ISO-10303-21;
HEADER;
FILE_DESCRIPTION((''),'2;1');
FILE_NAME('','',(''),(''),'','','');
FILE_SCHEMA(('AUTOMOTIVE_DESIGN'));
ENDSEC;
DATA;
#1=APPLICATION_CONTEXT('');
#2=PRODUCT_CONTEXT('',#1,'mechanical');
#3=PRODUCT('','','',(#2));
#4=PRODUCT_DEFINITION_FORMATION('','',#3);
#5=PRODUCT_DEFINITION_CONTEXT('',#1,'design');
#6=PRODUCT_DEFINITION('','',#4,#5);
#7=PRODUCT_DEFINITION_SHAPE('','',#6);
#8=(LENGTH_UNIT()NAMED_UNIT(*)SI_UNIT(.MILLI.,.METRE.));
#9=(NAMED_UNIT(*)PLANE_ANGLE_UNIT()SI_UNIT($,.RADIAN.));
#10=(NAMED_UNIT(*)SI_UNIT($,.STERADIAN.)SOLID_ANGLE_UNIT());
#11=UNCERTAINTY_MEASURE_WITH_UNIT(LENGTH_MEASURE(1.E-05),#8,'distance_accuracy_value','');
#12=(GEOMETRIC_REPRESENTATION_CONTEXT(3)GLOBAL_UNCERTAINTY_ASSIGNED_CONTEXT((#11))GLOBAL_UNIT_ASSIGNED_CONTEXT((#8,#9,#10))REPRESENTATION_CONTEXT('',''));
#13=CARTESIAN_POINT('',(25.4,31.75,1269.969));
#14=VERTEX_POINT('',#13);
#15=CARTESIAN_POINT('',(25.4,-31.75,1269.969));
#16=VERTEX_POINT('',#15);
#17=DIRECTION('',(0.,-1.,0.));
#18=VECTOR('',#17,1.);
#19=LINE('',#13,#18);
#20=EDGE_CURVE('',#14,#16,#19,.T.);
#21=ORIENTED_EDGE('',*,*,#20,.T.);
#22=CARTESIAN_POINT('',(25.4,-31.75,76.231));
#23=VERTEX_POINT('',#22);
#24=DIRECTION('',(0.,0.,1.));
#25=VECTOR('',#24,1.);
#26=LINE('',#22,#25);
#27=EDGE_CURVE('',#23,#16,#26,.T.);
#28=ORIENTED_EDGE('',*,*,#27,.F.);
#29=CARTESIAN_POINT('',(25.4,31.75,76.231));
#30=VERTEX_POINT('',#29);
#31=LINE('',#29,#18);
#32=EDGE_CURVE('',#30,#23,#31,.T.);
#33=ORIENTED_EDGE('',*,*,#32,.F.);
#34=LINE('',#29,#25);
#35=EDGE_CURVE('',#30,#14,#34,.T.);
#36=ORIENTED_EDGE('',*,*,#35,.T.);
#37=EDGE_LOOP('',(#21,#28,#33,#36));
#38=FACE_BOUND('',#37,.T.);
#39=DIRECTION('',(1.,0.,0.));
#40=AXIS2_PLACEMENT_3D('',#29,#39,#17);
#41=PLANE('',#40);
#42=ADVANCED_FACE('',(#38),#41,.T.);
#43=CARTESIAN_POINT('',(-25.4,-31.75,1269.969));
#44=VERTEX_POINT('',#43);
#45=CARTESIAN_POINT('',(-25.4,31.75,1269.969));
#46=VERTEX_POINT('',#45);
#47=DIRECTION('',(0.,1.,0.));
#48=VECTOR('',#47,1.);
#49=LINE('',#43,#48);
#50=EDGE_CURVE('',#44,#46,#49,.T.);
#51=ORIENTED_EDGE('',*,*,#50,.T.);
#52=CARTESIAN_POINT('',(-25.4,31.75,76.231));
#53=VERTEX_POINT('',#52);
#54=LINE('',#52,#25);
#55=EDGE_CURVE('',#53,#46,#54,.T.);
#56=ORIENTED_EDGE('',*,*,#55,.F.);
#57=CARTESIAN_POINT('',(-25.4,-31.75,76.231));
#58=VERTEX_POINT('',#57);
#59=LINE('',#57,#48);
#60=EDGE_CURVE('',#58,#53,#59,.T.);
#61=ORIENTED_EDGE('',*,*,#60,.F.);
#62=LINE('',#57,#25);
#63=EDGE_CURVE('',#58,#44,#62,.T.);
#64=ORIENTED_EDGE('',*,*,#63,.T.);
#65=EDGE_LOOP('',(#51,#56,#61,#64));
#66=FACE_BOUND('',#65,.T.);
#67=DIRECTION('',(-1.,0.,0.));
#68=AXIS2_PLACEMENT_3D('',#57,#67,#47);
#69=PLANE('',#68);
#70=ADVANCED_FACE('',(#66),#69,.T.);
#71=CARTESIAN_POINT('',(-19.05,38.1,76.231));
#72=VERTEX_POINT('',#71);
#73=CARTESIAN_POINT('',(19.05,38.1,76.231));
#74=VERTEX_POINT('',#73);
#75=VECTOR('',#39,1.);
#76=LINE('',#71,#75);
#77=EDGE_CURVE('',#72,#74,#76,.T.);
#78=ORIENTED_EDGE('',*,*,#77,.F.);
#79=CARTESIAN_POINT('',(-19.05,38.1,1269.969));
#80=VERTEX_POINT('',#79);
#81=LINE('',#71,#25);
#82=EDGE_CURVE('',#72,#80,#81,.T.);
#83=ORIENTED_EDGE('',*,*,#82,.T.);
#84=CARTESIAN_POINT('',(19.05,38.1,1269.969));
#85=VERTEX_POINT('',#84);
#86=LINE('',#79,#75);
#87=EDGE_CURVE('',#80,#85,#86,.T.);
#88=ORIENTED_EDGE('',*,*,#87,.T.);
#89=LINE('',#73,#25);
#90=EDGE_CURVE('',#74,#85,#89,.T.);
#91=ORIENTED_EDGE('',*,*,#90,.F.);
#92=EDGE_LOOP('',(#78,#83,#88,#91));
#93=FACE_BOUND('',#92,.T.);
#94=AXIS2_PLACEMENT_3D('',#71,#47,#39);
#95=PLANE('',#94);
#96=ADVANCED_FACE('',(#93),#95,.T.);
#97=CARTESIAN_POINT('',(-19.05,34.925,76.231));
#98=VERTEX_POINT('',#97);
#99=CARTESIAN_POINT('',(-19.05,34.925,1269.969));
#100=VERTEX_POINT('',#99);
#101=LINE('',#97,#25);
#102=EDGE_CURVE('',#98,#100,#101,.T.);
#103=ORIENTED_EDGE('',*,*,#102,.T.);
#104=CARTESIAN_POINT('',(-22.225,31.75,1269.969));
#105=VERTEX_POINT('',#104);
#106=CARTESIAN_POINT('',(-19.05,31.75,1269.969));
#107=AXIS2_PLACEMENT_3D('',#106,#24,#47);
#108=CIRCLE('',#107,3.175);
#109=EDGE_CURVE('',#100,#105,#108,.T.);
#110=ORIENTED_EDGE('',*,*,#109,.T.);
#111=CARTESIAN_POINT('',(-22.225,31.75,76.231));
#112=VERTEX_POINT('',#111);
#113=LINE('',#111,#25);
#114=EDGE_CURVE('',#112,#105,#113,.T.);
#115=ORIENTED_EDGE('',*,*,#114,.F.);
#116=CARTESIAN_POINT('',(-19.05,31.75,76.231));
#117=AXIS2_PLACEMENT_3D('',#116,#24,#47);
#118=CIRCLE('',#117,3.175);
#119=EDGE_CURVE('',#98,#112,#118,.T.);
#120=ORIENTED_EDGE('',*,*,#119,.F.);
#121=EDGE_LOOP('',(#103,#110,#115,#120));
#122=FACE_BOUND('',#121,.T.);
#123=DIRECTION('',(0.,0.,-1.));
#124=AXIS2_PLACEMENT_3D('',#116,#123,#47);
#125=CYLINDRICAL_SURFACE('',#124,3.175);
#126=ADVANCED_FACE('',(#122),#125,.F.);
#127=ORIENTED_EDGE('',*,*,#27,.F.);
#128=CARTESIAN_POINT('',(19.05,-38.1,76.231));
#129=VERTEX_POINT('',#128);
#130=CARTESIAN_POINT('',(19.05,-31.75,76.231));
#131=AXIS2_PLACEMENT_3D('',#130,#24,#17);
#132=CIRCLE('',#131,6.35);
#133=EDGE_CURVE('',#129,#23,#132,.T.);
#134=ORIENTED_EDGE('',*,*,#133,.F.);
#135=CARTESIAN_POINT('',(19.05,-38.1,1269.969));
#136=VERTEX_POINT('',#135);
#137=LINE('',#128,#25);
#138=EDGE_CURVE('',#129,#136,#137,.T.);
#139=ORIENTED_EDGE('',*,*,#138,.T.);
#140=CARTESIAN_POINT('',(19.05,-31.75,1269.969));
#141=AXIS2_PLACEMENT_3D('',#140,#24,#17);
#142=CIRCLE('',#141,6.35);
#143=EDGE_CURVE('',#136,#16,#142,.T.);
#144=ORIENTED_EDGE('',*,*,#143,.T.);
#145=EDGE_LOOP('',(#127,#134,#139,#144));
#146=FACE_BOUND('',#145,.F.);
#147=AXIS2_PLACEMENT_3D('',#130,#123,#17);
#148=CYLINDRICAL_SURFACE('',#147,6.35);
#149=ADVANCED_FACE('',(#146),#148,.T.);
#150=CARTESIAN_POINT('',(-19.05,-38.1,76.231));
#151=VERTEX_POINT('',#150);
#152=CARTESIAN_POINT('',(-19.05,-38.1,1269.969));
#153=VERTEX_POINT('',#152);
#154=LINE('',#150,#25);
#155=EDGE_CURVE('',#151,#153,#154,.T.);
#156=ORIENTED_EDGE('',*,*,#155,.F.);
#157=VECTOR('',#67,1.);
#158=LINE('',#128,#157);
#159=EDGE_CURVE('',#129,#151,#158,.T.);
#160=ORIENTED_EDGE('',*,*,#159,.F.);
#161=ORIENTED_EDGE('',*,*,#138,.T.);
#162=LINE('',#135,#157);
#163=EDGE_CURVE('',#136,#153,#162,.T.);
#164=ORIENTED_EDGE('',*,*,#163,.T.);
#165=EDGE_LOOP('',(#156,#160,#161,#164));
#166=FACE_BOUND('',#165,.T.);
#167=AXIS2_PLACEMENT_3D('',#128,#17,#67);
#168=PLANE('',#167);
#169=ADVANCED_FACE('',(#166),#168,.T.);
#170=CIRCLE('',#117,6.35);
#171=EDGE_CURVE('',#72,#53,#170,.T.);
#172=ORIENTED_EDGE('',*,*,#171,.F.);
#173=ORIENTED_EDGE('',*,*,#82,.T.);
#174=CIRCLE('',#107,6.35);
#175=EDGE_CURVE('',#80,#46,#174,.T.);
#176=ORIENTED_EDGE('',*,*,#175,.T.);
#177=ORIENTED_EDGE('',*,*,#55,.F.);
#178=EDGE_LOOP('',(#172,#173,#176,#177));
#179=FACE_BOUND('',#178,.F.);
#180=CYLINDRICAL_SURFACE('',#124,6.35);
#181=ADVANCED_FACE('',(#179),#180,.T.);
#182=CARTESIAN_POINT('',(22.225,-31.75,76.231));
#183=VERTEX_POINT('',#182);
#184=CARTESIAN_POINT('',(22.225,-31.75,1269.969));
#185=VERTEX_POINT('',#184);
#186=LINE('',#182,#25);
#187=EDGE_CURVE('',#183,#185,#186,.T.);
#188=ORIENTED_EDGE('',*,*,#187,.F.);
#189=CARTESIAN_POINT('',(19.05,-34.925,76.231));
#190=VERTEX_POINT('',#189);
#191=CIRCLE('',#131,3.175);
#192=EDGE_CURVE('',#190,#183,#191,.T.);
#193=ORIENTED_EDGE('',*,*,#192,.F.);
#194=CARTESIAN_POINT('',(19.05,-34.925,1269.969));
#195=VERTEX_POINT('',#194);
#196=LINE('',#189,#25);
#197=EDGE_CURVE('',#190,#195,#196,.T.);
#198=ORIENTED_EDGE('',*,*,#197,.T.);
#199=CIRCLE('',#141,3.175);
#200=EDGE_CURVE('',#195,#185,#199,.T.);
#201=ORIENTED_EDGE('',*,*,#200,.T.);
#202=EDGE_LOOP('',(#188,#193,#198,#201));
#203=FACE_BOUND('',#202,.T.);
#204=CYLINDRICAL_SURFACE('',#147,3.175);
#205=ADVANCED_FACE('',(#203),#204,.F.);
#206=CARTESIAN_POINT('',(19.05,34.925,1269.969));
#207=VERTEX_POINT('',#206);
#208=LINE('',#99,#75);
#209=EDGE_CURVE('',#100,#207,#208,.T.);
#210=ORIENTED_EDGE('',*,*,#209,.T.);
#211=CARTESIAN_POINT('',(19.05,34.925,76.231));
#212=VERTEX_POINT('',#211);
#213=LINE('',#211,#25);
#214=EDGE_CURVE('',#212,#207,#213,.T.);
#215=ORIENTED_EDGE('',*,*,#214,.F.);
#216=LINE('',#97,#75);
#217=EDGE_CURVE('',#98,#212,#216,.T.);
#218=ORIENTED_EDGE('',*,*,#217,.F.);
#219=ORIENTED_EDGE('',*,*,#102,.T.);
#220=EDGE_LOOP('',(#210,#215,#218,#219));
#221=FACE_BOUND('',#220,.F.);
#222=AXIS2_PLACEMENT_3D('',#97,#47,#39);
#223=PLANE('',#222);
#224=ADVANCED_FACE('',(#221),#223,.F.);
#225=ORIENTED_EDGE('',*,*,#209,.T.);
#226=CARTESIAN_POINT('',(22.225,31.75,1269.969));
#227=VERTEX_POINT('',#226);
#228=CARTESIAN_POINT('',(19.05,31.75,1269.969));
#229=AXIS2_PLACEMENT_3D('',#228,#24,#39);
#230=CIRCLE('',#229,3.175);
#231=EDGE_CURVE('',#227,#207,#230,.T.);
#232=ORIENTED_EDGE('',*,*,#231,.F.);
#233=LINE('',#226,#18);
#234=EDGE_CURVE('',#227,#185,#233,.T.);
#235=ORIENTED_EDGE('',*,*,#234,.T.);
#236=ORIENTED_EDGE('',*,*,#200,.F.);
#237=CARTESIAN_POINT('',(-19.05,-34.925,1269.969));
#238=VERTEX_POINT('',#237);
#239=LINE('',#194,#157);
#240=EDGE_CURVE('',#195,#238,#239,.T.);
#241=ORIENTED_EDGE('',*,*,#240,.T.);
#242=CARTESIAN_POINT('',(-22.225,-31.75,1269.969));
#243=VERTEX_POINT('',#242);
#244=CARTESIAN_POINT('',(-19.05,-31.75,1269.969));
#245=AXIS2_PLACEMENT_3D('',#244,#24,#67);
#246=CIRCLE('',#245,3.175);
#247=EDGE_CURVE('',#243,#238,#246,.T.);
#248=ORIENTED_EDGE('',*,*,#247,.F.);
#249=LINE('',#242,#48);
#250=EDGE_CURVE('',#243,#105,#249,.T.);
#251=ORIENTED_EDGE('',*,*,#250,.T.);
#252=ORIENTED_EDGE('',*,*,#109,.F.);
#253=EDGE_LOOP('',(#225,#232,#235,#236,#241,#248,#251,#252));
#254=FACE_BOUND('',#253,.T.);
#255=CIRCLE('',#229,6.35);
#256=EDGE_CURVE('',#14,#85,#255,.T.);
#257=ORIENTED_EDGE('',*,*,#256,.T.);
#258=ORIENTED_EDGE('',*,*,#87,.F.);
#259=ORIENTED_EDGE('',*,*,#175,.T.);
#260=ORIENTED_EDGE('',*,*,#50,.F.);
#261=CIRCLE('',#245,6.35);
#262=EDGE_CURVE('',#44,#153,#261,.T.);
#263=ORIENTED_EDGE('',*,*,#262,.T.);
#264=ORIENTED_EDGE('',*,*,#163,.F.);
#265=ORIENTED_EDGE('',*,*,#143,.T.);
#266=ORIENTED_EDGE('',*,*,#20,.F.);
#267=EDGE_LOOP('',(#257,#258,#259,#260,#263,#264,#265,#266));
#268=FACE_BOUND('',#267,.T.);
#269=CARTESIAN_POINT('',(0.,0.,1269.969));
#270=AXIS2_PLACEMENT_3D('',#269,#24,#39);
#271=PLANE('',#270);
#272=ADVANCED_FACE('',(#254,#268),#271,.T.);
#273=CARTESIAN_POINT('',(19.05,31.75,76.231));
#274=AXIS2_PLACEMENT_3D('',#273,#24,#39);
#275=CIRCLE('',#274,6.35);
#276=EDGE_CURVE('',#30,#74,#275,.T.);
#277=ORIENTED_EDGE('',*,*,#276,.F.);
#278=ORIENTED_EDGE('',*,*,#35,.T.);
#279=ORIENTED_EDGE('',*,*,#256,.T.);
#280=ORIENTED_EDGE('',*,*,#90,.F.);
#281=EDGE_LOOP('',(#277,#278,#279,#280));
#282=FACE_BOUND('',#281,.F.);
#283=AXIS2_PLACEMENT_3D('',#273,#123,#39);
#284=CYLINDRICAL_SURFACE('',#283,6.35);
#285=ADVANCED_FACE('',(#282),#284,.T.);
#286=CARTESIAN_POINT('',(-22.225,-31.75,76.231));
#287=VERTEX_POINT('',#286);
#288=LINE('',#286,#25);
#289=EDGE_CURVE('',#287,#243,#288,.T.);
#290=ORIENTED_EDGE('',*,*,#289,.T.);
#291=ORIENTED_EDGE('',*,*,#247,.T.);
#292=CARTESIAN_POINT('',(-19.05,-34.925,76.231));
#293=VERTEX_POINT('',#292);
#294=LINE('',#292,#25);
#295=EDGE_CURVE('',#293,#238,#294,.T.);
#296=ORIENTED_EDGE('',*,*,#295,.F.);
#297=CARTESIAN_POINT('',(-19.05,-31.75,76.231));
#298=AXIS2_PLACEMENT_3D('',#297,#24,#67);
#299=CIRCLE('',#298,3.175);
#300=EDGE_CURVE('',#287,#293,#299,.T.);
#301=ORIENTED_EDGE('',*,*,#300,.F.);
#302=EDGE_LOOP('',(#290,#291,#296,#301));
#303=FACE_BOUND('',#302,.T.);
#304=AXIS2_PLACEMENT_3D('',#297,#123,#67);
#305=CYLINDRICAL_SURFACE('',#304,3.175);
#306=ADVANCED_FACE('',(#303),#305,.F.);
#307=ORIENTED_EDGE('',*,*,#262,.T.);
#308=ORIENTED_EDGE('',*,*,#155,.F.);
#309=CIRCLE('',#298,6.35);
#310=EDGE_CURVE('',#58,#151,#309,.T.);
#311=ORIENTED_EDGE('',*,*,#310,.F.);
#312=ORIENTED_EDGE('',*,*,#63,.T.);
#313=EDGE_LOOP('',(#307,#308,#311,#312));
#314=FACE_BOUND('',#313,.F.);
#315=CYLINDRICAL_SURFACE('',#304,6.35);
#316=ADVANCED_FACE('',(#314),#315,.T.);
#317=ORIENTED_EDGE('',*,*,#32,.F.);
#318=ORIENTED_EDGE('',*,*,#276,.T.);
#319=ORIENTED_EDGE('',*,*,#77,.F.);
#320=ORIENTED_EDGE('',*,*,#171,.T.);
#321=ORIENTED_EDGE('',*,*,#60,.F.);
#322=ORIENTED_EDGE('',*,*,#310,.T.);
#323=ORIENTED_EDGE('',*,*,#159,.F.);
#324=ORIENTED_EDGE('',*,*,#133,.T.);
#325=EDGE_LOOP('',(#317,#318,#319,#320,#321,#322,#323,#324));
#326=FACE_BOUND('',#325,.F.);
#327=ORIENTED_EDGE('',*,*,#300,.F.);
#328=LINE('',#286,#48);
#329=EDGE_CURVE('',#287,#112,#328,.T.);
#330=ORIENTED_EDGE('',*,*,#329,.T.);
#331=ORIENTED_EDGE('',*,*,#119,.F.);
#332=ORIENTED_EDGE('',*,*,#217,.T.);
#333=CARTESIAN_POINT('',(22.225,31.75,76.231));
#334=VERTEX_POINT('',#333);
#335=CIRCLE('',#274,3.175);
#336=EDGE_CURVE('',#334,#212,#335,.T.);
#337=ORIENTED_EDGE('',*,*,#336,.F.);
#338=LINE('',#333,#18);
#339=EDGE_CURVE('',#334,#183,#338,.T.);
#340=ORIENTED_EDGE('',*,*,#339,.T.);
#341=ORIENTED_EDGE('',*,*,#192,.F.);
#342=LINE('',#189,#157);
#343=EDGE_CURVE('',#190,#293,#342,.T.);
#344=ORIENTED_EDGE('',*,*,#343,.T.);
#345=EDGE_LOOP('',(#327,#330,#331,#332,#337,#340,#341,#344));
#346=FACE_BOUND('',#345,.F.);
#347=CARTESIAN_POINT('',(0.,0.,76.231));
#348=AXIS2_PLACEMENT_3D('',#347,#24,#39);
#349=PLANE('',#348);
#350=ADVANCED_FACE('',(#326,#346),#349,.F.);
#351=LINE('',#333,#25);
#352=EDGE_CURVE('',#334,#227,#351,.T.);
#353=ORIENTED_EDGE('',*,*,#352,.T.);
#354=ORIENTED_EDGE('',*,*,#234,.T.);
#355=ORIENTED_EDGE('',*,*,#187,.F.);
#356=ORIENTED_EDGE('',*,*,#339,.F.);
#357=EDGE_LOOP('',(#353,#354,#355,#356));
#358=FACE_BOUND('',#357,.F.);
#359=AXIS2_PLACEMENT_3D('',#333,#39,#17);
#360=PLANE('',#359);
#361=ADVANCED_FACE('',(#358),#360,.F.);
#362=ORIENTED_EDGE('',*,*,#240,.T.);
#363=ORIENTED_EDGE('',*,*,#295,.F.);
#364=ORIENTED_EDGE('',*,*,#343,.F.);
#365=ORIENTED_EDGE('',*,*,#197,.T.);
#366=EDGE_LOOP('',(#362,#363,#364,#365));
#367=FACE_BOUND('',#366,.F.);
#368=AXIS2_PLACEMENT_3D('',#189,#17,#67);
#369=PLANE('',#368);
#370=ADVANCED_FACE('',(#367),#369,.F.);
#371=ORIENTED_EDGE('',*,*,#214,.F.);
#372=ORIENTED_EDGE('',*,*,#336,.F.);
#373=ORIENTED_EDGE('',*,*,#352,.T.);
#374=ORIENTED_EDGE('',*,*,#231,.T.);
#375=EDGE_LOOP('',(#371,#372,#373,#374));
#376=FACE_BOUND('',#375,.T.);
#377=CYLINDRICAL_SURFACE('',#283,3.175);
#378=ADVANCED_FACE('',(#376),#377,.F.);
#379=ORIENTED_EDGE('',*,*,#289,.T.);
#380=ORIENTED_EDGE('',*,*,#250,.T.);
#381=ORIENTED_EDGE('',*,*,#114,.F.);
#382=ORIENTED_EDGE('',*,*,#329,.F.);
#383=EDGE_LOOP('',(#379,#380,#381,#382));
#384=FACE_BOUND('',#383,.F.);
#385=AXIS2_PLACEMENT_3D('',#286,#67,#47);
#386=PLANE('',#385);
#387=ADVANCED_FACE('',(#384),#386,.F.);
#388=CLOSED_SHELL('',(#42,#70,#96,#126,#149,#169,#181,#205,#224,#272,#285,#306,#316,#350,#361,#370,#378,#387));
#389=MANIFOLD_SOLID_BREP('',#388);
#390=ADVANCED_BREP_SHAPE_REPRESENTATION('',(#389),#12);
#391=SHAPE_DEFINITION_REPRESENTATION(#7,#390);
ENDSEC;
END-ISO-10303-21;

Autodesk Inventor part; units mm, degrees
ref_plane "Start Plane" through (0, 0, 76.231) normal (0, 0, 1) x (1, 0, 0)
ref_plane "End Plane" through (0, 0, 1269.969) normal (0, 0, 1) x (1, 0, 0)
sketch "Sketch" plane through (0, 0, 0) normal (0, 0, 1) x (1, 0, 0)
  line L0 (-25.4, -31.75) -> (-25.4, 31.75)
  line L1 (-19.05, 38.1) -> (19.05, 38.1)
  line L2 (25.4, 31.75) -> (25.4, -31.75)
  line L3 (19.05, -38.1) -> (-19.05, -38.1)
  arc A0 (-25.4, -31.75) -> (-19.05, -38.1) centre (-19.05, -31.75) ccw
  arc A1 (-19.05, 38.1) -> (-25.4, 31.75) centre (-19.05, 31.75) ccw
  arc A2 (25.4, 31.75) -> (19.05, 38.1) centre (19.05, 31.75) ccw
  arc A3 (19.05, -38.1) -> (25.4, -31.75) centre (19.05, -31.75) ccw
  arc A4 (-19.05, 34.925) -> (-22.225, 31.75) centre (-19.05, 31.75) ccw
  line L4 (-19.05, 34.925) -> (19.05, 34.925)
  arc A5 (22.225, 31.75) -> (19.05, 34.925) centre (19.05, 31.75) ccw
  line L5 (22.225, 31.75) -> (22.225, -31.75)
  arc A6 (19.05, -34.925) -> (22.225, -31.75) centre (19.05, -31.75) ccw
  line L6 (19.05, -34.925) -> (-19.05, -34.925)
  arc A7 (-22.225, -31.75) -> (-19.05, -34.925) centre (-19.05, -31.75) ccw
  line L7 (-22.225, -31.75) -> (-22.225, 31.75)
  line L8 (0, 55.1812) -> (0, -55.1812) construction
  line L9 (-37.4012, 0) -> (37.4012, 0) construction
  dimension "d10" = 76.2
  dimension "d11" = 50.8
  dimension "d12" = 3.175
  dimension "d15" = 38.1
  dimension "d16" = 25.4
  dimension "d17" = 6.35
extrude "Body" add sketch "Sketch" along normal up to surface (1193.738 mm away) from surface at 76.231
sketch "Sketch3" plane through (0, 0, 0) normal (0, 0, 1) x (1, 0, 0)
  line L0 (0, 0) -> (10, 0)
ref_plane "Work Plane3" through (0, 0, 0) normal (0, -1, 0) x (1, 0, 0)
ref_plane "Work Plane4" through (0, 546.1, 76.231) normal (0, 0, -1) x (-1, 0, 0)
split "Split1" plane through (0, 546.1, 76.231) removes the side toward (0, 0, -1)
ref_plane "Work Plane5" through (-25.4, 0, 1269.969) normal (0, 0, 1) x (1, 0, 0)
split "Split2" plane through (-25.4, 0, 1269.969) removes the side toward (0, 0, 1)
sketch "Sketch4" plane through (0, 0, 0) normal (0, -1, 0) x (1, 0, 0)
  line L0 (-2, 76.231) -> (12, 76.231) projected
  line L1 (-2, 1269.969) -> (12, 1269.969) projected
  dimension "d19" = 1193.738
equation "\"d10\" = G_H"
equation "\"d11\" = G_W"
equation "\"d12\" = G_T"
equation "\"d15\" = 0.5 * d10"
equation "\"d16\" = 0.5 * d11"
equation "\"d17\" = G_IR"
equation "\"d3\" = G_L"
equation "\"G_W\" = 50.8"
equation "\"G_H\" = 76.2"
equation "\"G_T\" = 3.175"
equation "\"G_IR\" = 6.35"
equation "\"G_L\" = d19"
equation "\"G_OFFSET_START\" = -76.231"
equation "\"G_OFFSET_END\" = -50.831"
equation "\"d13\" = -G_OFFSET_START"
equation "\"d14\" = G_OFFSET_END + B_L"
equation "\"B_L\" = 1320.8"
properties part number "AISC - 3 x 2 x 1/8 - 46.998" material "Steel, Mild"
